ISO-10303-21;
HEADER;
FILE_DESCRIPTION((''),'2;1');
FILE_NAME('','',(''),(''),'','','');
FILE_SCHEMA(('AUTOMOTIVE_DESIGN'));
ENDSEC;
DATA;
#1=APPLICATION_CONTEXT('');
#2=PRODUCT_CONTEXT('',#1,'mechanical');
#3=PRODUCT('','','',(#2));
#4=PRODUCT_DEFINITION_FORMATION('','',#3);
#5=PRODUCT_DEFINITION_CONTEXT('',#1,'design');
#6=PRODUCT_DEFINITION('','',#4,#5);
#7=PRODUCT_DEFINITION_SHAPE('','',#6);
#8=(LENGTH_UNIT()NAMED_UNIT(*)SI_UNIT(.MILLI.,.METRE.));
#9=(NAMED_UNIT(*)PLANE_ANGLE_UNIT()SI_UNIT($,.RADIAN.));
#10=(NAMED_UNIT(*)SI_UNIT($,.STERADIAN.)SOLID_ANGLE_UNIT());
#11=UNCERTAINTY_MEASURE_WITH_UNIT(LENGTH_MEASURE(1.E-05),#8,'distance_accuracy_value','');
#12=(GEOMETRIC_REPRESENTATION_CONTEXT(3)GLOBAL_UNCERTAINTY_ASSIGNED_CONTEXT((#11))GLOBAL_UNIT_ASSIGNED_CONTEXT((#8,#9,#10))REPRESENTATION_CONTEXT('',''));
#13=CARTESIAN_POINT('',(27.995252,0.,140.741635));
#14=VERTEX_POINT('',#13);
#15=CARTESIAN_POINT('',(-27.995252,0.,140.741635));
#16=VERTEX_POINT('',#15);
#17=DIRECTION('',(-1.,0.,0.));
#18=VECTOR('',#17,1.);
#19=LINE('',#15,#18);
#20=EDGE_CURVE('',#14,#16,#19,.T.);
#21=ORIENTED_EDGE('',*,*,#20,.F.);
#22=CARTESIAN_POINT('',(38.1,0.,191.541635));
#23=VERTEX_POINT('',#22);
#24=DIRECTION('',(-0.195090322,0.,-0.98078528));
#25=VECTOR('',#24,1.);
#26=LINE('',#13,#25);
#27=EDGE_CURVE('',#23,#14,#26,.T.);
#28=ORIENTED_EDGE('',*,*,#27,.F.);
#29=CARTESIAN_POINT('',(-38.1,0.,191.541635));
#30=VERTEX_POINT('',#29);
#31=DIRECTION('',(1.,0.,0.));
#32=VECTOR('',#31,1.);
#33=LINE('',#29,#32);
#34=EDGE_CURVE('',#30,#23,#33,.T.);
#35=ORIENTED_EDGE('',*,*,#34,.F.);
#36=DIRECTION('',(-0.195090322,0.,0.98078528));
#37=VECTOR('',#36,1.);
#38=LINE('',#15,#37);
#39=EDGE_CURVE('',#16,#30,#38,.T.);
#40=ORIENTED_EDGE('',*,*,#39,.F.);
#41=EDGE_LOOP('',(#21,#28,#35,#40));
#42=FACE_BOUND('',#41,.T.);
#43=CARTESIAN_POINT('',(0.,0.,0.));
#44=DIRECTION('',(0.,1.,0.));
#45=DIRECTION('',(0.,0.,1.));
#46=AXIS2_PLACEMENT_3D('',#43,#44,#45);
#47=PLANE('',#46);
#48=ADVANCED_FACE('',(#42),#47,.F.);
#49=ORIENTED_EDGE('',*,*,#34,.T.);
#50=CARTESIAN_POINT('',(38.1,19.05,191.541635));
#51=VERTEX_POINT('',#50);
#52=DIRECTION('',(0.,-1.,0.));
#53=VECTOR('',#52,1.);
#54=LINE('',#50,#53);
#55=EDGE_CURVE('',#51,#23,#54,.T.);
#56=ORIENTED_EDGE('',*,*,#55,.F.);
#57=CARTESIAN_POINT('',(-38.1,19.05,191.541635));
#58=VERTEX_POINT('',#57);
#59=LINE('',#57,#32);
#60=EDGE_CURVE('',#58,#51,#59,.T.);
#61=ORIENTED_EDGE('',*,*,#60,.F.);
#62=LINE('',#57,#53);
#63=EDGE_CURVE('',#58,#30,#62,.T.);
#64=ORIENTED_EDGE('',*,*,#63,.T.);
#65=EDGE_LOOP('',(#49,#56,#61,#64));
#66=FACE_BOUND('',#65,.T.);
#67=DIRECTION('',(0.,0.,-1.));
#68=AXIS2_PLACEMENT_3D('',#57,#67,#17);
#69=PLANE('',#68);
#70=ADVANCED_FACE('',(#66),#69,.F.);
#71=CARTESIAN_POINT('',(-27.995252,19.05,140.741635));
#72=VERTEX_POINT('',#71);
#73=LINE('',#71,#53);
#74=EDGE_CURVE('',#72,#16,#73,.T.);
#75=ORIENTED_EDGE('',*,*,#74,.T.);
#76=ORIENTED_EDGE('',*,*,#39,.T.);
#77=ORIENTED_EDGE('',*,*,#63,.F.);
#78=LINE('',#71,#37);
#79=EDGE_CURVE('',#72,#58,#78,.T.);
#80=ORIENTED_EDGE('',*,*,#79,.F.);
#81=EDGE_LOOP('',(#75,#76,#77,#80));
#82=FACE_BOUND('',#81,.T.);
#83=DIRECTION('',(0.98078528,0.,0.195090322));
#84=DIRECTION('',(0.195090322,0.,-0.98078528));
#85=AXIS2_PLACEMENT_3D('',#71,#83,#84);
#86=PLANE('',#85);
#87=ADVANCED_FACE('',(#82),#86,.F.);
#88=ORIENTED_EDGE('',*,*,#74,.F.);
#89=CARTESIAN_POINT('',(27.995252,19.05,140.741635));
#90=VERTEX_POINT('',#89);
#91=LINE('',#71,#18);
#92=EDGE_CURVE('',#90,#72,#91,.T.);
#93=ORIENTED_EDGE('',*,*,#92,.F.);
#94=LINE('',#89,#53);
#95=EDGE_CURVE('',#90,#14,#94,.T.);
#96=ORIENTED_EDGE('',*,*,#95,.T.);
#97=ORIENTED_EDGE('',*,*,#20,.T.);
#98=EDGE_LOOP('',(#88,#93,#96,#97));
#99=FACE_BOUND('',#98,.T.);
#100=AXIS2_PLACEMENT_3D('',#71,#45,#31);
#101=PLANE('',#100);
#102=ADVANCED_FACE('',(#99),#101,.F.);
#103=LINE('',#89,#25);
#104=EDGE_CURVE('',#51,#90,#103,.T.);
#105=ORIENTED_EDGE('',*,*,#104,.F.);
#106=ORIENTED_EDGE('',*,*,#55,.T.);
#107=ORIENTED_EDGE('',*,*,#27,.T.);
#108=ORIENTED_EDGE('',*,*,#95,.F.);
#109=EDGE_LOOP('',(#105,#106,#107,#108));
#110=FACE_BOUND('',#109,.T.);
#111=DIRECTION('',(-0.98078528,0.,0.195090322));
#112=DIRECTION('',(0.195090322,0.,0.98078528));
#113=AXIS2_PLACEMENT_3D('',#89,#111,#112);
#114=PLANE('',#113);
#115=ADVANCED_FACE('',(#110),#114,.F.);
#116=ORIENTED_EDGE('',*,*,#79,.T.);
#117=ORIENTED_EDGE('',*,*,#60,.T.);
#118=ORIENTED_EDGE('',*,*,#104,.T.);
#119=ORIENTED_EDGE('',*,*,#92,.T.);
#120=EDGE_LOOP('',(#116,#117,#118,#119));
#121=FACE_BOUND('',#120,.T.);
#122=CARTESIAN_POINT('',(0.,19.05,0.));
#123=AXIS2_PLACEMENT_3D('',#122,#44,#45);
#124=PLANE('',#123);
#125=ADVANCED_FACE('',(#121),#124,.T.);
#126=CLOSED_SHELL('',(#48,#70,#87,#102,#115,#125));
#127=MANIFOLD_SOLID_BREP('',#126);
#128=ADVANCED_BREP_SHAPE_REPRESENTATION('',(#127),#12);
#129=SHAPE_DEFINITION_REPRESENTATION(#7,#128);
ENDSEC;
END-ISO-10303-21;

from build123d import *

# Parameters (mm, degrees)
BOSS_EXTRUDE1_DEPTH = 19.05


with BuildPart() as part:
    # Sketch1 → Boss-Extrude1 (new body)
    with BuildSketch(Plane(origin=(0, 0, 0), x_dir=(1, 0, 0), z_dir=(0, 1, 0))):
        Polygon((-38.1, -191.54163465), (38.1, -191.54163465), (27.995251737, -140.74163465), (-27.995251737, -140.74163465), align=None)
    extrude(amount=BOSS_EXTRUDE1_DEPTH)


solid = part.part
